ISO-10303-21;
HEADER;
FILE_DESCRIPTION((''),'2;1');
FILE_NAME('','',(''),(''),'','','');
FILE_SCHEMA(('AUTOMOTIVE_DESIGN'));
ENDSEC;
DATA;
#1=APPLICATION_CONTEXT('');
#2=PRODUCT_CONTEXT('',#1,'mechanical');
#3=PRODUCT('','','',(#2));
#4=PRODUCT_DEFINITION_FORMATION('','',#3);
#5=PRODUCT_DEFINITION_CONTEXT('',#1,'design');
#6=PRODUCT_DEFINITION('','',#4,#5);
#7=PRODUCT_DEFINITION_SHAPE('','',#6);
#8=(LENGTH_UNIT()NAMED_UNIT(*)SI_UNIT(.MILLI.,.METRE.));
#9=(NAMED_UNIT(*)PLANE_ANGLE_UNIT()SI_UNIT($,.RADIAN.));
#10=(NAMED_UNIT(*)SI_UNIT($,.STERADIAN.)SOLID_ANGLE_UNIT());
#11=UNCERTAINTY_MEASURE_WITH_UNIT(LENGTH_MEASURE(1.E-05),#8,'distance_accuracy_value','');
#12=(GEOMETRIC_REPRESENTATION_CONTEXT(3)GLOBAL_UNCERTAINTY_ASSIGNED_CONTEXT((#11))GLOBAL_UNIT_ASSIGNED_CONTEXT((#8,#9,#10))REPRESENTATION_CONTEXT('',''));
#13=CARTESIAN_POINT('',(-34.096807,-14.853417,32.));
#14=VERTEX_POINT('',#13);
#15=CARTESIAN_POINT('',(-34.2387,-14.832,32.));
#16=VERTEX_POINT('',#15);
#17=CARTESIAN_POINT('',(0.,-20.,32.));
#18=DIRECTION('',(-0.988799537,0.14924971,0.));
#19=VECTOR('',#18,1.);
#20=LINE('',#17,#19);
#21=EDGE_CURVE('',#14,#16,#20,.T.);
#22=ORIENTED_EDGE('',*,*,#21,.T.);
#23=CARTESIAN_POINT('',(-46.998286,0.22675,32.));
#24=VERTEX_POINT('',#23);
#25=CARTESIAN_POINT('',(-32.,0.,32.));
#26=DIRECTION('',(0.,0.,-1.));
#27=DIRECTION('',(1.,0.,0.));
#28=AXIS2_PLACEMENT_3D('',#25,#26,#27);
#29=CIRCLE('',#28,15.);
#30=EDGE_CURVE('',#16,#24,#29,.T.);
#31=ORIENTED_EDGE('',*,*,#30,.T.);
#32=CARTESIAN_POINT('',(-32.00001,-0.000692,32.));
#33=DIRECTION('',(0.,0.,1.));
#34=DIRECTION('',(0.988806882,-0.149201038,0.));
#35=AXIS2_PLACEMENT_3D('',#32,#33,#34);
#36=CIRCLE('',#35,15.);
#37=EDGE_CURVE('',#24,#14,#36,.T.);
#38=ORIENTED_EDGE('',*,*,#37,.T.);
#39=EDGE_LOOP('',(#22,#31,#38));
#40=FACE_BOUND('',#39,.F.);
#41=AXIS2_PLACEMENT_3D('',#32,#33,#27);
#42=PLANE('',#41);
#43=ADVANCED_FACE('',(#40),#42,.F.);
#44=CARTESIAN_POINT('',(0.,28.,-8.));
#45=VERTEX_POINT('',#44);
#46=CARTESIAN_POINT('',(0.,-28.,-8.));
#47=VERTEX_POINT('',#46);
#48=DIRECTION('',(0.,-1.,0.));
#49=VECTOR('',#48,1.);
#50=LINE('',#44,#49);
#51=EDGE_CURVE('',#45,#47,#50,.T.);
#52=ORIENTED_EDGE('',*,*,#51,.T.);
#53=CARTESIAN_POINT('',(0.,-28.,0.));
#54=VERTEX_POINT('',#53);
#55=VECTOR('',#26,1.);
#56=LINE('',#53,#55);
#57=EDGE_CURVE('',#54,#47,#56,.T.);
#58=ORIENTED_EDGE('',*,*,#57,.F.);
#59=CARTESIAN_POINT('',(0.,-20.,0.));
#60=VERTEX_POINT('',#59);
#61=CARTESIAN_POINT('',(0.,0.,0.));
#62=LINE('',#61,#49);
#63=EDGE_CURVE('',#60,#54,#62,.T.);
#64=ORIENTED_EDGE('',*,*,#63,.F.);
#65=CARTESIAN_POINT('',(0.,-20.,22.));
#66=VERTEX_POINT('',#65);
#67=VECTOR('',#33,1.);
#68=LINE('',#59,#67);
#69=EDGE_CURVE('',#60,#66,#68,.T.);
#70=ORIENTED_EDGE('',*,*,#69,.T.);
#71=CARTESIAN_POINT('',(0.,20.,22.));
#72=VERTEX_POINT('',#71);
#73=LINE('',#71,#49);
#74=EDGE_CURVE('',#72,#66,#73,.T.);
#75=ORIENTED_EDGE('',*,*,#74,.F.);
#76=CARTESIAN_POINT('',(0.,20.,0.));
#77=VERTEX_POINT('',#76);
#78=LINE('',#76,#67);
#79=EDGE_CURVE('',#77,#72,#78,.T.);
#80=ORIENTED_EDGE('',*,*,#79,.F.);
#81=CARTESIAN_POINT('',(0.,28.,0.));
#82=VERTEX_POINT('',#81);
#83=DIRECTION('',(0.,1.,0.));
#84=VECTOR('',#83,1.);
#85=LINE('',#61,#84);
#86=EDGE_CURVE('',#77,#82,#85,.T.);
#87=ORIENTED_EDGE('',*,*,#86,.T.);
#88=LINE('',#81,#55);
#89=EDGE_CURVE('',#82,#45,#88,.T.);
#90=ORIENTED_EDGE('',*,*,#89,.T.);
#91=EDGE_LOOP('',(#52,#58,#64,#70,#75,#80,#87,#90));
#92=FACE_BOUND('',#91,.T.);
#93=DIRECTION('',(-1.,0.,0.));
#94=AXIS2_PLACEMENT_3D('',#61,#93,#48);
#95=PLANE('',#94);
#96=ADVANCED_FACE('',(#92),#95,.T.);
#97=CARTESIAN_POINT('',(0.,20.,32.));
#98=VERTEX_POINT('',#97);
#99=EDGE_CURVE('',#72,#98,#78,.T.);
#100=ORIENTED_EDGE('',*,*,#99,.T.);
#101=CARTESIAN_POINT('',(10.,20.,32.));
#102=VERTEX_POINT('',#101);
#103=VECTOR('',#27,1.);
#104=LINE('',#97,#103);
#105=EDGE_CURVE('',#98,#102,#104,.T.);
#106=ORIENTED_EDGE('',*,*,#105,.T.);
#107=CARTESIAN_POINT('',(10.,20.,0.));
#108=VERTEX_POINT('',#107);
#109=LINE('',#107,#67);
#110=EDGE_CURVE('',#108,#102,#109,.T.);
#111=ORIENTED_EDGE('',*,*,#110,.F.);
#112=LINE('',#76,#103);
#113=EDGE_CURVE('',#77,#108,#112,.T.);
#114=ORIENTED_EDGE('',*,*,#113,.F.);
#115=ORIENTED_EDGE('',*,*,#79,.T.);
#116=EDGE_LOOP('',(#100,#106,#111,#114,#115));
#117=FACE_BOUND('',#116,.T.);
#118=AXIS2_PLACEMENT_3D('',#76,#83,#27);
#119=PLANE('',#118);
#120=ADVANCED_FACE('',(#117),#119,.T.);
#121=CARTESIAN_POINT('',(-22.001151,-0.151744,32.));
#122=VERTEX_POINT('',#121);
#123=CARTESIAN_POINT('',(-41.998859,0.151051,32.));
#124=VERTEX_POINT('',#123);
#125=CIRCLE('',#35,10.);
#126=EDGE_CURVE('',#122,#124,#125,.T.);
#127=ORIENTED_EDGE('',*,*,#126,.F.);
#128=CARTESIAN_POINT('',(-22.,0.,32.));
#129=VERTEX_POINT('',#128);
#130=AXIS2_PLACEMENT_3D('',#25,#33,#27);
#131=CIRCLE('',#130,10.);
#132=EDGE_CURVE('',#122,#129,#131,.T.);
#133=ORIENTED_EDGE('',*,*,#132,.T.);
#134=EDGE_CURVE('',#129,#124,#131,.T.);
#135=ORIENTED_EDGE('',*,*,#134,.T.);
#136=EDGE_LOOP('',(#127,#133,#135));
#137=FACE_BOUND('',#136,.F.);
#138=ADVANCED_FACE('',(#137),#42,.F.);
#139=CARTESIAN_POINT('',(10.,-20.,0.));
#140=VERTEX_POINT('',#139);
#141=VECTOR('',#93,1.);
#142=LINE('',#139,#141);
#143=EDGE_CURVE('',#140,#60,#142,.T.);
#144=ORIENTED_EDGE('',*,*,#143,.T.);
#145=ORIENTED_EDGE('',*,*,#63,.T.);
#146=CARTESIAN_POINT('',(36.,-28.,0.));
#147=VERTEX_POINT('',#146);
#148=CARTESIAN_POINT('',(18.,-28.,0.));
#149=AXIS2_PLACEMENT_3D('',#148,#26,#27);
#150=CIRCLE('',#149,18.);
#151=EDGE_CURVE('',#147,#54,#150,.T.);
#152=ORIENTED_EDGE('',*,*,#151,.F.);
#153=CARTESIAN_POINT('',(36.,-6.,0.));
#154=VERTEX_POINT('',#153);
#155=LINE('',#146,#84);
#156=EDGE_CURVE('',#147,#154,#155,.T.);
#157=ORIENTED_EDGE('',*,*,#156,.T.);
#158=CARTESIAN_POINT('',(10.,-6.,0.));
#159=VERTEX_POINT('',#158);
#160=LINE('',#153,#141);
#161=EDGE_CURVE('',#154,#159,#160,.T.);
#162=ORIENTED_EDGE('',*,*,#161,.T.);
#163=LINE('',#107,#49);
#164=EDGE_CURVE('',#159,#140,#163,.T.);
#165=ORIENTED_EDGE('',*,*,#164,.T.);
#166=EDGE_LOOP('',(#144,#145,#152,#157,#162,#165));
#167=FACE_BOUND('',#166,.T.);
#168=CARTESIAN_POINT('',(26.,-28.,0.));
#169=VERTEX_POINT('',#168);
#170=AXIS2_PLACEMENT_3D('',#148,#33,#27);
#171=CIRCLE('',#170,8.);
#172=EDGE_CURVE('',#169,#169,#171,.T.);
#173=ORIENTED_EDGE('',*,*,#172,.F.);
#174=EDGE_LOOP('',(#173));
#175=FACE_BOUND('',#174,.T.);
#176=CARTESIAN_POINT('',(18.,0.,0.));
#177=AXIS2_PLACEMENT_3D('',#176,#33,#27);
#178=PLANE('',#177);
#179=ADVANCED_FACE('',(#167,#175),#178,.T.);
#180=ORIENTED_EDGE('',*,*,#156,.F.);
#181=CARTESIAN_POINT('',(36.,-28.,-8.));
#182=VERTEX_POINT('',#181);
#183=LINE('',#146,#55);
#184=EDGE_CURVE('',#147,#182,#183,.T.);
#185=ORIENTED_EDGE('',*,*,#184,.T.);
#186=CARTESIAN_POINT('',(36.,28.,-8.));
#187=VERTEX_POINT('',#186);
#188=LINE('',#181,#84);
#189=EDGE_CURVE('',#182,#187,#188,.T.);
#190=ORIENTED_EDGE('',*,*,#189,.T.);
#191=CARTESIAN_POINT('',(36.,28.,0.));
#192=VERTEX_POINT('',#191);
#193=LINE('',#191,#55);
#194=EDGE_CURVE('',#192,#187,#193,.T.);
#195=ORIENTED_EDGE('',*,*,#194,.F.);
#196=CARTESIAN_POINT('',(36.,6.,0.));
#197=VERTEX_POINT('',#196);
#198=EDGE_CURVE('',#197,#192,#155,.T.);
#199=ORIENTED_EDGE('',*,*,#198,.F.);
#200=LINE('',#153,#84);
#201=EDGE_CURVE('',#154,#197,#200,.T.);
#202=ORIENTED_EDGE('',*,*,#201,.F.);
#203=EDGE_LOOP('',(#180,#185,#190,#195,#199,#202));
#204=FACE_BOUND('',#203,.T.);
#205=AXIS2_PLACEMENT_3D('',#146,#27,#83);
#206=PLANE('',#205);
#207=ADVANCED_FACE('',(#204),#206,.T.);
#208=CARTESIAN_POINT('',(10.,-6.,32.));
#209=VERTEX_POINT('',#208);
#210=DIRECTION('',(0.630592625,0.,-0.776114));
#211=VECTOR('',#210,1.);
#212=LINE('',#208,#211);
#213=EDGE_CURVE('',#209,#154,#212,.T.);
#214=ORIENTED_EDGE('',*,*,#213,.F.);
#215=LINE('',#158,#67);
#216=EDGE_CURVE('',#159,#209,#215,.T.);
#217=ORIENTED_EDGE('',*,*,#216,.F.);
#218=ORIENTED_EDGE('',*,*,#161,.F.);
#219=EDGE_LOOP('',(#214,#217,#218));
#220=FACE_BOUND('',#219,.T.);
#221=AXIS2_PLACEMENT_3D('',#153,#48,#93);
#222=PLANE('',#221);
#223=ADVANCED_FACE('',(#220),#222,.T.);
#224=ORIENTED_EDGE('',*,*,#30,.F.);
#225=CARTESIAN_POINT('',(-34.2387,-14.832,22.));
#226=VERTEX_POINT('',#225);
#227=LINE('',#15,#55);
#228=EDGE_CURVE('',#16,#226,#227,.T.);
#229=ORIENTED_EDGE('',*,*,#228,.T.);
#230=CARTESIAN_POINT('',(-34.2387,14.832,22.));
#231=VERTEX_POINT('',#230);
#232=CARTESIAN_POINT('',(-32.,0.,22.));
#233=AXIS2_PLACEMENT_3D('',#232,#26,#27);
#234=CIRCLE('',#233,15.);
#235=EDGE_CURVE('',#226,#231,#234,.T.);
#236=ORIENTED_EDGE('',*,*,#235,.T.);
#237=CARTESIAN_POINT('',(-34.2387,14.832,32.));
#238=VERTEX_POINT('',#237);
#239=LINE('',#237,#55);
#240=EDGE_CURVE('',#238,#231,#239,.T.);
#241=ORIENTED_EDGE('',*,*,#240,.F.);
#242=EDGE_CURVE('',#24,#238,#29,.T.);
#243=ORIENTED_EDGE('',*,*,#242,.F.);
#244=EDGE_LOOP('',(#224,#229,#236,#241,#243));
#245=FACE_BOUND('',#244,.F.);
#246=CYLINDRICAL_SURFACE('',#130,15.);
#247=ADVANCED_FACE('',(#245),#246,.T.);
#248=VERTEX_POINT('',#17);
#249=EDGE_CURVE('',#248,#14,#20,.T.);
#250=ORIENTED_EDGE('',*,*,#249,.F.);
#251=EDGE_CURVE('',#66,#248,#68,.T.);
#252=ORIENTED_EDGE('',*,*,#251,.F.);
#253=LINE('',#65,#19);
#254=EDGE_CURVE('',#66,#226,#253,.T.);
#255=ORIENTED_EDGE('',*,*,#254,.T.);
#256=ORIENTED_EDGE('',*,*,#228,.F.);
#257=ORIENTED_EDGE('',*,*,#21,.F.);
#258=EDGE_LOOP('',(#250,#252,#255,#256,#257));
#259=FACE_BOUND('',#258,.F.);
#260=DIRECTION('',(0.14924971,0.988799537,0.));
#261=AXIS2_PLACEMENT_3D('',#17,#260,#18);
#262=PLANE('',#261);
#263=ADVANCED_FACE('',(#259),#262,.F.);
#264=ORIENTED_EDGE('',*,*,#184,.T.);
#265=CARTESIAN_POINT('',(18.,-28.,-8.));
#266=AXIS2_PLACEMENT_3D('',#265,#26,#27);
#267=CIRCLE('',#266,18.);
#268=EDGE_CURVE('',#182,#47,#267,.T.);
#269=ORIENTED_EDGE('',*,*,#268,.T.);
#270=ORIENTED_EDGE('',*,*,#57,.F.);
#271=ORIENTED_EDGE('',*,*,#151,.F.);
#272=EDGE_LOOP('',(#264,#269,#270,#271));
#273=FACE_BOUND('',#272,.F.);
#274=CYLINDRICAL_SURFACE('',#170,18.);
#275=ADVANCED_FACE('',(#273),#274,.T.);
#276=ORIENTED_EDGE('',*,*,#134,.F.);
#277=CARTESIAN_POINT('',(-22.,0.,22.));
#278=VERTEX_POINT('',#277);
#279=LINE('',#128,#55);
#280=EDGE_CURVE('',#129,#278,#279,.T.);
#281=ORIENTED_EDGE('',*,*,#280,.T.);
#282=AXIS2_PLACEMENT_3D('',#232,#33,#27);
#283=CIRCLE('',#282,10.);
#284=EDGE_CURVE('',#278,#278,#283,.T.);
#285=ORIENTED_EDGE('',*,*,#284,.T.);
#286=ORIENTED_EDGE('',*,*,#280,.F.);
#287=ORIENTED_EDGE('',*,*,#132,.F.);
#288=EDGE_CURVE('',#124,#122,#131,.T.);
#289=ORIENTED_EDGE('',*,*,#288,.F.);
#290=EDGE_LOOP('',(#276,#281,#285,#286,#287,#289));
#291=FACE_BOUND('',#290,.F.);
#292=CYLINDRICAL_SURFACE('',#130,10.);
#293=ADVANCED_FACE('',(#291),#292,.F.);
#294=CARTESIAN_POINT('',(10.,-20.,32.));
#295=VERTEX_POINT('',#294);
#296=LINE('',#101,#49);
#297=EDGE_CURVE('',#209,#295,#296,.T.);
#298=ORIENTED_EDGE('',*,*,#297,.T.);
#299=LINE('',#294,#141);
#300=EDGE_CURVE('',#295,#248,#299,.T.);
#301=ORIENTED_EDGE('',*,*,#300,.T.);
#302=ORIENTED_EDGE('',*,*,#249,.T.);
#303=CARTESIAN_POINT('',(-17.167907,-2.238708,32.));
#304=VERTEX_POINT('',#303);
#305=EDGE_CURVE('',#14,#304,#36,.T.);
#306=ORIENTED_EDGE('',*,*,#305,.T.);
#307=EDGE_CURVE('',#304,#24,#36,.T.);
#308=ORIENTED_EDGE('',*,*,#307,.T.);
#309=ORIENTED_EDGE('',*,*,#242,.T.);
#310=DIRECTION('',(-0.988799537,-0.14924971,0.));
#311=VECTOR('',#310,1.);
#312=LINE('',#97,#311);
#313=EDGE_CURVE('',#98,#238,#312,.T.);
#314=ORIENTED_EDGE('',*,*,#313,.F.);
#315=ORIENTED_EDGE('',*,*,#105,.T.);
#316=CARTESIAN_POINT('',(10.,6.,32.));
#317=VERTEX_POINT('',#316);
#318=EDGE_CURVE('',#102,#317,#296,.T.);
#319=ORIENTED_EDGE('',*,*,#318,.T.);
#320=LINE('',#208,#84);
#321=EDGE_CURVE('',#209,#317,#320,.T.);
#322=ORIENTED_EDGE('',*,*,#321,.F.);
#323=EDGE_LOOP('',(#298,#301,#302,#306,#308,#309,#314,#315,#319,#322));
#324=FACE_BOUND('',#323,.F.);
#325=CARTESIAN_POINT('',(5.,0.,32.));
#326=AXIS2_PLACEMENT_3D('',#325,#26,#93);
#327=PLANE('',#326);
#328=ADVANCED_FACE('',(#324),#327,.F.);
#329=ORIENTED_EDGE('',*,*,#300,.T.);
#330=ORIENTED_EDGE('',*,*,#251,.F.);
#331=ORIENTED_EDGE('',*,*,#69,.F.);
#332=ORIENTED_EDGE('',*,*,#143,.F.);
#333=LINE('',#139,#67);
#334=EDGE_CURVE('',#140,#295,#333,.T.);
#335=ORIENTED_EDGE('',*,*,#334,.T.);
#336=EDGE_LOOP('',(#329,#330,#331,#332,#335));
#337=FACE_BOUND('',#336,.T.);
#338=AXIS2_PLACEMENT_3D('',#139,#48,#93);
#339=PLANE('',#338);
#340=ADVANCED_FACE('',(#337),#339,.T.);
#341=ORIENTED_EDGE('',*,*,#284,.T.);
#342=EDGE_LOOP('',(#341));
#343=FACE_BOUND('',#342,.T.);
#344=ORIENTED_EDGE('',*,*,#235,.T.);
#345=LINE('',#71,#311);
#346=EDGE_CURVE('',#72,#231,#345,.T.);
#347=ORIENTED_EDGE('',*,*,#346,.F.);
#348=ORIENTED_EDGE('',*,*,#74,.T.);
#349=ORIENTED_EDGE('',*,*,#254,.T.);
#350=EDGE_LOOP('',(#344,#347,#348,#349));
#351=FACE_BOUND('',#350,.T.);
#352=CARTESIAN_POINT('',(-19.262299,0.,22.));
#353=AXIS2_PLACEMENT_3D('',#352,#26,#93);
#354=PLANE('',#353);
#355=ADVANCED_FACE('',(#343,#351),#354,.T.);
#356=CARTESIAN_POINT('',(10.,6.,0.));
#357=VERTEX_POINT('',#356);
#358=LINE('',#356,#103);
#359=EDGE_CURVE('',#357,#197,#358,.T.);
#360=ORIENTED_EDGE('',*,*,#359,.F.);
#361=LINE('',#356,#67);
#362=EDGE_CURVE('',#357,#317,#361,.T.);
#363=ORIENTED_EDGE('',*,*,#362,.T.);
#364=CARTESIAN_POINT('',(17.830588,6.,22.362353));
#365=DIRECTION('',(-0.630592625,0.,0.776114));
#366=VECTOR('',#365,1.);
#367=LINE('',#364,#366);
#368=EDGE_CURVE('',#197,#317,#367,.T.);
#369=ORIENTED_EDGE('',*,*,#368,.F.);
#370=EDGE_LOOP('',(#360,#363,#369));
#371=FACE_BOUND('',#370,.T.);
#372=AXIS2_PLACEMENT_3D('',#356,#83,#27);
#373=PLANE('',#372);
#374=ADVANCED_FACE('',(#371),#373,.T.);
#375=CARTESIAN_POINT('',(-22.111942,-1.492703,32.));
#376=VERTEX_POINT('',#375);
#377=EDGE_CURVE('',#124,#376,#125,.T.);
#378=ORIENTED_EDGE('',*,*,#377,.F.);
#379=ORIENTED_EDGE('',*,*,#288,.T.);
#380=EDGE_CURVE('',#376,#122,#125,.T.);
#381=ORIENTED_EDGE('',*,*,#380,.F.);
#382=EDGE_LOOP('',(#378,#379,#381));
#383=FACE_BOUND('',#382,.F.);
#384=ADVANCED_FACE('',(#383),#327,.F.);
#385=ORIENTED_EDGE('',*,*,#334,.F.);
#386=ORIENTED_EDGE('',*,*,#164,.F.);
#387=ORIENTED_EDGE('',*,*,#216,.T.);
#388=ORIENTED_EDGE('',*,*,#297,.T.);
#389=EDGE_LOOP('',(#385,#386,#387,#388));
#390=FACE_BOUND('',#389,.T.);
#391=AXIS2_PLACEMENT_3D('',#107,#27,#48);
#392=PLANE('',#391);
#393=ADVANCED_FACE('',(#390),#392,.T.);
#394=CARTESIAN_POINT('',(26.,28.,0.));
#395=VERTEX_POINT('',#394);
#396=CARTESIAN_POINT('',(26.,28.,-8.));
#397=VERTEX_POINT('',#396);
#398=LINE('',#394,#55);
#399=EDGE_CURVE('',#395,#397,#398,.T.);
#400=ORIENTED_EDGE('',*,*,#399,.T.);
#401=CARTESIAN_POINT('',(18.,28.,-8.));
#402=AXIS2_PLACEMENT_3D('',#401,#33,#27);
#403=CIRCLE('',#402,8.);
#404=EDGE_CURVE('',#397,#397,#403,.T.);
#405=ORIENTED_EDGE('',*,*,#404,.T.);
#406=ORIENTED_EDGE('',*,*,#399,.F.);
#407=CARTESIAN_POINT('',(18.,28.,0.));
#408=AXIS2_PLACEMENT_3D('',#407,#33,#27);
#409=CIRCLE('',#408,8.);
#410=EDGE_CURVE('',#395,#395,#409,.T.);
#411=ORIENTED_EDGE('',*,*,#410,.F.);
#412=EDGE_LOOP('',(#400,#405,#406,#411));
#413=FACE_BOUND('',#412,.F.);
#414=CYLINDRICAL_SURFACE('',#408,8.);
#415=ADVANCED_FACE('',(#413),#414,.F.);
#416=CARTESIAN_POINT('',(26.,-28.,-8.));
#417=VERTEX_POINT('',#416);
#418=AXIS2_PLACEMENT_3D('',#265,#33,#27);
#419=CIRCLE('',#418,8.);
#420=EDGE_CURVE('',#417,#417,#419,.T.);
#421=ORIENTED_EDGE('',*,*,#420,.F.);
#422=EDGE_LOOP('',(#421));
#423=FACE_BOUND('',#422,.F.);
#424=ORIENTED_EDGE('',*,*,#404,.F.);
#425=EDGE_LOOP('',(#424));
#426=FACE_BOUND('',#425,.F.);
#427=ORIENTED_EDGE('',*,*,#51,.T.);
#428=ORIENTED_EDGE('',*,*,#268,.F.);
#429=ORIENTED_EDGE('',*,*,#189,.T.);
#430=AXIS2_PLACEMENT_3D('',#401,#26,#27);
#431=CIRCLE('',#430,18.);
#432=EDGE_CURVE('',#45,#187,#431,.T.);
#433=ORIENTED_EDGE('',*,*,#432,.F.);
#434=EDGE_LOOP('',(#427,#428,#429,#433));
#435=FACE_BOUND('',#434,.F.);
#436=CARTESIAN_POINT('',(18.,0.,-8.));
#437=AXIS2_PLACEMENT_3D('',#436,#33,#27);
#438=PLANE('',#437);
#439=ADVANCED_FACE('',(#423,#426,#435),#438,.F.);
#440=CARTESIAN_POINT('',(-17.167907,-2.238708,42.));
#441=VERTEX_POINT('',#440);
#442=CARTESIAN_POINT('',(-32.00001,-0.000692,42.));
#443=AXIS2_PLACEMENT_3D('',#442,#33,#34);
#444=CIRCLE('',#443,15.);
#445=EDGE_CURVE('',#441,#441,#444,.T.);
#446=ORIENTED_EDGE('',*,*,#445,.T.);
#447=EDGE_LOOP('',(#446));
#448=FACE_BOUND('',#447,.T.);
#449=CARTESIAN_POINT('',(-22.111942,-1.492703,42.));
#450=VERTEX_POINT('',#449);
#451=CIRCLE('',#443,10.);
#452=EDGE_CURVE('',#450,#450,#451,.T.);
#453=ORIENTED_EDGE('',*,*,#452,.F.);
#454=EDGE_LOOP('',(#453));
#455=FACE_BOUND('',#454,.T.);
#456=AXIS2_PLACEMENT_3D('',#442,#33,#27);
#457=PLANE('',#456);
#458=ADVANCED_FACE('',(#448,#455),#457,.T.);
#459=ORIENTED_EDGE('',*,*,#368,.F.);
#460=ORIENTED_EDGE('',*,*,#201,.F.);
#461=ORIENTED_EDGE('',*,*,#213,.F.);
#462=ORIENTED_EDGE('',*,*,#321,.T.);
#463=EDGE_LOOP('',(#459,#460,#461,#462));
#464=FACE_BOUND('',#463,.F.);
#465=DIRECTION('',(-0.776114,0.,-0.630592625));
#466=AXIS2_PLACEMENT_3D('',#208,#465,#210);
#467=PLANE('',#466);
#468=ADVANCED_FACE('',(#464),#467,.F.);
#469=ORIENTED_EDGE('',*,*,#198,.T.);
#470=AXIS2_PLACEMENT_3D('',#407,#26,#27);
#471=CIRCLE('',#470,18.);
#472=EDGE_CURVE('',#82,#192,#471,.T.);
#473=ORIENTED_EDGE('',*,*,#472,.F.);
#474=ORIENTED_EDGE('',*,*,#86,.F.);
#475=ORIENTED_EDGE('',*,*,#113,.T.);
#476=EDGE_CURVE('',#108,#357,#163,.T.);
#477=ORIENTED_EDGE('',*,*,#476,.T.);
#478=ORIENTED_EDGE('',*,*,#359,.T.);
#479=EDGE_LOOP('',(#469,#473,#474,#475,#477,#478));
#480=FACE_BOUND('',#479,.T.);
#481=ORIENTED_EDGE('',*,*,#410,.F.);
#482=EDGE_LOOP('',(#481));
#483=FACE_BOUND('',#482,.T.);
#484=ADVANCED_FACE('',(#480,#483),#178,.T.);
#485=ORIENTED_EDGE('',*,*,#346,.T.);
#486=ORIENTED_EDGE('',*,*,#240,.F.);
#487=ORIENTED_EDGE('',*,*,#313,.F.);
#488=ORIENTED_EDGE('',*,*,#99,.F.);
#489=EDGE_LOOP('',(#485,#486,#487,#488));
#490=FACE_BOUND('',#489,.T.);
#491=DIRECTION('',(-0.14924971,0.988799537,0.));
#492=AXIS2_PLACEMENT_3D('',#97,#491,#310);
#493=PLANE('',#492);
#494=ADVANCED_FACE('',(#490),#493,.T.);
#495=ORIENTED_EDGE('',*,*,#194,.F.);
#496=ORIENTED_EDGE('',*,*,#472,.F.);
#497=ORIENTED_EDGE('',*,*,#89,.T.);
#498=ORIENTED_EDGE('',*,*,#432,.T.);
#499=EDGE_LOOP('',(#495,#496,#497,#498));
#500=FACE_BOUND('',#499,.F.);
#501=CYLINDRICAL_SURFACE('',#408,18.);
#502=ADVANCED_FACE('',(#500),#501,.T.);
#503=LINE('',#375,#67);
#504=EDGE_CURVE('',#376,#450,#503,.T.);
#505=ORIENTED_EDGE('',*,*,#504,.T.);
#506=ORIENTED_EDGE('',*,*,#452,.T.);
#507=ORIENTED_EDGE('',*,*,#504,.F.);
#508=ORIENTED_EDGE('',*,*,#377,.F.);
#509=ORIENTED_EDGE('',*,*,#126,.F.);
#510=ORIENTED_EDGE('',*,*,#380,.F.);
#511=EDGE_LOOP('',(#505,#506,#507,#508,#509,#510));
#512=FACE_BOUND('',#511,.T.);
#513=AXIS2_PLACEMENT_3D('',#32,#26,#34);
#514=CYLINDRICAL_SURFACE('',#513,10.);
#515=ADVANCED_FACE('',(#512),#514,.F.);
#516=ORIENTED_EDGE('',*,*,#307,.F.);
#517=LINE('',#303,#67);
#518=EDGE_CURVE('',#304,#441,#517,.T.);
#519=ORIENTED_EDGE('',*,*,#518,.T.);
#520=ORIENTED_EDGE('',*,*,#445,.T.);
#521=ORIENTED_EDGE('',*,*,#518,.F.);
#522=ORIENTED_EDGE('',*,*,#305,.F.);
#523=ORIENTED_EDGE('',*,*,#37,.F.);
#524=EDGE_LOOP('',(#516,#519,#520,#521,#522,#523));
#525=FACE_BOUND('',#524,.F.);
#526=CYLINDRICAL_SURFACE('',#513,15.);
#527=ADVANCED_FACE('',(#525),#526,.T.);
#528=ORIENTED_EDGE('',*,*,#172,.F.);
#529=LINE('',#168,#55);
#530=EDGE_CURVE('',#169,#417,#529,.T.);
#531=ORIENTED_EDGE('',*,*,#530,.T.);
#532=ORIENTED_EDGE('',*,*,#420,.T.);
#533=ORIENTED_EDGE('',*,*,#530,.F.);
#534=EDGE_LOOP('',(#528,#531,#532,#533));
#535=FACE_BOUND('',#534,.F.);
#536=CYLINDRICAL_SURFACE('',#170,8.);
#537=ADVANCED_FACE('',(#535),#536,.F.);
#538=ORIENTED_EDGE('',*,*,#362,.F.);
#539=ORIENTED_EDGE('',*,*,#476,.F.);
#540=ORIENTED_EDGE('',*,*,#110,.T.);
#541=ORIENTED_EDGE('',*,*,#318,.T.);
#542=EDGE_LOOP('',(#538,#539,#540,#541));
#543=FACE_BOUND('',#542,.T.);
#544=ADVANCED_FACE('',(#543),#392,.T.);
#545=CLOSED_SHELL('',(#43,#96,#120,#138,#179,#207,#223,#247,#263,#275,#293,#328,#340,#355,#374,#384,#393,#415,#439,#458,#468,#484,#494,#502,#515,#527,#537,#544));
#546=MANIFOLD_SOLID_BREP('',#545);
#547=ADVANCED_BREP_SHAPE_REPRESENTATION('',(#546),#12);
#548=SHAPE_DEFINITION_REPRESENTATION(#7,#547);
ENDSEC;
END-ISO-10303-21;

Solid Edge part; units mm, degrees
sketch "Sketch1" plane through (0, 0, 0) normal (0, 0, 1) x (1, 0, 0)
  line L0 (0, 0) -> (0, -28)
  line L1 (0, 0) -> (0, 28)
  line L2 (36, -28) -> (36, 28)
  arc A0 (36, -28) -> (0, -28) centre (18, -28) cw
  arc A1 (0, 28) -> (36, 28) centre (18, 28) cw
  circle A2 centre (18, -28) radius 8
  circle A3 centre (18, 28) radius 8
extrude "Protrusion1" add sketch "Sketch1" against normal blind 8
sketch "Sketch2" plane through (0, 0, 0) normal (0, 0, 1) x (1, 0, 0)
  line L0 (10, -20) -> (0, -20)
  line L1 (0, -20) -> (0, 0)
  line L2 (0, 0) -> (0, 20)
  line L3 (0, 20) -> (10, 20)
  line L4 (10, 20) -> (10, -20)
  line L5 (10, 6) -> (36, 6)
  line L6 (36, 6) -> (36, -6)
  line L7 (36, -6) -> (10, -6)
  line L8 (10, -6) -> (10, 6)
extrude "ExtrudedProtrusion_2" add sketch "Sketch2" along normal blind 32
sketch "Sketch3" plane through (23, -6, 16) normal (0, -1, 0) x (1, 0, 0)
  line L0 (-13, 16) -> (13, -16)
  line L1 (13, -16) -> (13, 16)
  line L2 (13, 16) -> (-13, 16)
extrude "ExtrudedCutout_1" cut sketch "Sketch3" against normal blind 96.6876
sketch "Sketch4" plane through (5, 0, 32) normal (0, 0, 1) x (1, 0, 0)
  circle A0 centre (-37, 0) radius 10
  line L0 (-5, -20) -> (-39.2387, -14.832)
  line L1 (-5, 20) -> (-39.2387, 14.832)
  line L2 (-5, 20) -> (-5, -20)
  arc A1 (-39.2387, -14.832) -> (-39.2387, 14.832) centre (-37, 0) cw
extrude "ExtrudedProtrusion_3" add sketch "Sketch4" against normal blind 10
sketch "Sketch5" plane through (-18.5, 0, 32) normal (0, 0, 1) x (0.9888, -0.1492, 0)
  circle A0 centre (-13.3488, -2.0149) radius 10
  circle A1 centre (-13.3488, -2.0149) radius 15
extrude "ExtrudedProtrusion_4" add sketch "Sketch5" along normal blind 10
